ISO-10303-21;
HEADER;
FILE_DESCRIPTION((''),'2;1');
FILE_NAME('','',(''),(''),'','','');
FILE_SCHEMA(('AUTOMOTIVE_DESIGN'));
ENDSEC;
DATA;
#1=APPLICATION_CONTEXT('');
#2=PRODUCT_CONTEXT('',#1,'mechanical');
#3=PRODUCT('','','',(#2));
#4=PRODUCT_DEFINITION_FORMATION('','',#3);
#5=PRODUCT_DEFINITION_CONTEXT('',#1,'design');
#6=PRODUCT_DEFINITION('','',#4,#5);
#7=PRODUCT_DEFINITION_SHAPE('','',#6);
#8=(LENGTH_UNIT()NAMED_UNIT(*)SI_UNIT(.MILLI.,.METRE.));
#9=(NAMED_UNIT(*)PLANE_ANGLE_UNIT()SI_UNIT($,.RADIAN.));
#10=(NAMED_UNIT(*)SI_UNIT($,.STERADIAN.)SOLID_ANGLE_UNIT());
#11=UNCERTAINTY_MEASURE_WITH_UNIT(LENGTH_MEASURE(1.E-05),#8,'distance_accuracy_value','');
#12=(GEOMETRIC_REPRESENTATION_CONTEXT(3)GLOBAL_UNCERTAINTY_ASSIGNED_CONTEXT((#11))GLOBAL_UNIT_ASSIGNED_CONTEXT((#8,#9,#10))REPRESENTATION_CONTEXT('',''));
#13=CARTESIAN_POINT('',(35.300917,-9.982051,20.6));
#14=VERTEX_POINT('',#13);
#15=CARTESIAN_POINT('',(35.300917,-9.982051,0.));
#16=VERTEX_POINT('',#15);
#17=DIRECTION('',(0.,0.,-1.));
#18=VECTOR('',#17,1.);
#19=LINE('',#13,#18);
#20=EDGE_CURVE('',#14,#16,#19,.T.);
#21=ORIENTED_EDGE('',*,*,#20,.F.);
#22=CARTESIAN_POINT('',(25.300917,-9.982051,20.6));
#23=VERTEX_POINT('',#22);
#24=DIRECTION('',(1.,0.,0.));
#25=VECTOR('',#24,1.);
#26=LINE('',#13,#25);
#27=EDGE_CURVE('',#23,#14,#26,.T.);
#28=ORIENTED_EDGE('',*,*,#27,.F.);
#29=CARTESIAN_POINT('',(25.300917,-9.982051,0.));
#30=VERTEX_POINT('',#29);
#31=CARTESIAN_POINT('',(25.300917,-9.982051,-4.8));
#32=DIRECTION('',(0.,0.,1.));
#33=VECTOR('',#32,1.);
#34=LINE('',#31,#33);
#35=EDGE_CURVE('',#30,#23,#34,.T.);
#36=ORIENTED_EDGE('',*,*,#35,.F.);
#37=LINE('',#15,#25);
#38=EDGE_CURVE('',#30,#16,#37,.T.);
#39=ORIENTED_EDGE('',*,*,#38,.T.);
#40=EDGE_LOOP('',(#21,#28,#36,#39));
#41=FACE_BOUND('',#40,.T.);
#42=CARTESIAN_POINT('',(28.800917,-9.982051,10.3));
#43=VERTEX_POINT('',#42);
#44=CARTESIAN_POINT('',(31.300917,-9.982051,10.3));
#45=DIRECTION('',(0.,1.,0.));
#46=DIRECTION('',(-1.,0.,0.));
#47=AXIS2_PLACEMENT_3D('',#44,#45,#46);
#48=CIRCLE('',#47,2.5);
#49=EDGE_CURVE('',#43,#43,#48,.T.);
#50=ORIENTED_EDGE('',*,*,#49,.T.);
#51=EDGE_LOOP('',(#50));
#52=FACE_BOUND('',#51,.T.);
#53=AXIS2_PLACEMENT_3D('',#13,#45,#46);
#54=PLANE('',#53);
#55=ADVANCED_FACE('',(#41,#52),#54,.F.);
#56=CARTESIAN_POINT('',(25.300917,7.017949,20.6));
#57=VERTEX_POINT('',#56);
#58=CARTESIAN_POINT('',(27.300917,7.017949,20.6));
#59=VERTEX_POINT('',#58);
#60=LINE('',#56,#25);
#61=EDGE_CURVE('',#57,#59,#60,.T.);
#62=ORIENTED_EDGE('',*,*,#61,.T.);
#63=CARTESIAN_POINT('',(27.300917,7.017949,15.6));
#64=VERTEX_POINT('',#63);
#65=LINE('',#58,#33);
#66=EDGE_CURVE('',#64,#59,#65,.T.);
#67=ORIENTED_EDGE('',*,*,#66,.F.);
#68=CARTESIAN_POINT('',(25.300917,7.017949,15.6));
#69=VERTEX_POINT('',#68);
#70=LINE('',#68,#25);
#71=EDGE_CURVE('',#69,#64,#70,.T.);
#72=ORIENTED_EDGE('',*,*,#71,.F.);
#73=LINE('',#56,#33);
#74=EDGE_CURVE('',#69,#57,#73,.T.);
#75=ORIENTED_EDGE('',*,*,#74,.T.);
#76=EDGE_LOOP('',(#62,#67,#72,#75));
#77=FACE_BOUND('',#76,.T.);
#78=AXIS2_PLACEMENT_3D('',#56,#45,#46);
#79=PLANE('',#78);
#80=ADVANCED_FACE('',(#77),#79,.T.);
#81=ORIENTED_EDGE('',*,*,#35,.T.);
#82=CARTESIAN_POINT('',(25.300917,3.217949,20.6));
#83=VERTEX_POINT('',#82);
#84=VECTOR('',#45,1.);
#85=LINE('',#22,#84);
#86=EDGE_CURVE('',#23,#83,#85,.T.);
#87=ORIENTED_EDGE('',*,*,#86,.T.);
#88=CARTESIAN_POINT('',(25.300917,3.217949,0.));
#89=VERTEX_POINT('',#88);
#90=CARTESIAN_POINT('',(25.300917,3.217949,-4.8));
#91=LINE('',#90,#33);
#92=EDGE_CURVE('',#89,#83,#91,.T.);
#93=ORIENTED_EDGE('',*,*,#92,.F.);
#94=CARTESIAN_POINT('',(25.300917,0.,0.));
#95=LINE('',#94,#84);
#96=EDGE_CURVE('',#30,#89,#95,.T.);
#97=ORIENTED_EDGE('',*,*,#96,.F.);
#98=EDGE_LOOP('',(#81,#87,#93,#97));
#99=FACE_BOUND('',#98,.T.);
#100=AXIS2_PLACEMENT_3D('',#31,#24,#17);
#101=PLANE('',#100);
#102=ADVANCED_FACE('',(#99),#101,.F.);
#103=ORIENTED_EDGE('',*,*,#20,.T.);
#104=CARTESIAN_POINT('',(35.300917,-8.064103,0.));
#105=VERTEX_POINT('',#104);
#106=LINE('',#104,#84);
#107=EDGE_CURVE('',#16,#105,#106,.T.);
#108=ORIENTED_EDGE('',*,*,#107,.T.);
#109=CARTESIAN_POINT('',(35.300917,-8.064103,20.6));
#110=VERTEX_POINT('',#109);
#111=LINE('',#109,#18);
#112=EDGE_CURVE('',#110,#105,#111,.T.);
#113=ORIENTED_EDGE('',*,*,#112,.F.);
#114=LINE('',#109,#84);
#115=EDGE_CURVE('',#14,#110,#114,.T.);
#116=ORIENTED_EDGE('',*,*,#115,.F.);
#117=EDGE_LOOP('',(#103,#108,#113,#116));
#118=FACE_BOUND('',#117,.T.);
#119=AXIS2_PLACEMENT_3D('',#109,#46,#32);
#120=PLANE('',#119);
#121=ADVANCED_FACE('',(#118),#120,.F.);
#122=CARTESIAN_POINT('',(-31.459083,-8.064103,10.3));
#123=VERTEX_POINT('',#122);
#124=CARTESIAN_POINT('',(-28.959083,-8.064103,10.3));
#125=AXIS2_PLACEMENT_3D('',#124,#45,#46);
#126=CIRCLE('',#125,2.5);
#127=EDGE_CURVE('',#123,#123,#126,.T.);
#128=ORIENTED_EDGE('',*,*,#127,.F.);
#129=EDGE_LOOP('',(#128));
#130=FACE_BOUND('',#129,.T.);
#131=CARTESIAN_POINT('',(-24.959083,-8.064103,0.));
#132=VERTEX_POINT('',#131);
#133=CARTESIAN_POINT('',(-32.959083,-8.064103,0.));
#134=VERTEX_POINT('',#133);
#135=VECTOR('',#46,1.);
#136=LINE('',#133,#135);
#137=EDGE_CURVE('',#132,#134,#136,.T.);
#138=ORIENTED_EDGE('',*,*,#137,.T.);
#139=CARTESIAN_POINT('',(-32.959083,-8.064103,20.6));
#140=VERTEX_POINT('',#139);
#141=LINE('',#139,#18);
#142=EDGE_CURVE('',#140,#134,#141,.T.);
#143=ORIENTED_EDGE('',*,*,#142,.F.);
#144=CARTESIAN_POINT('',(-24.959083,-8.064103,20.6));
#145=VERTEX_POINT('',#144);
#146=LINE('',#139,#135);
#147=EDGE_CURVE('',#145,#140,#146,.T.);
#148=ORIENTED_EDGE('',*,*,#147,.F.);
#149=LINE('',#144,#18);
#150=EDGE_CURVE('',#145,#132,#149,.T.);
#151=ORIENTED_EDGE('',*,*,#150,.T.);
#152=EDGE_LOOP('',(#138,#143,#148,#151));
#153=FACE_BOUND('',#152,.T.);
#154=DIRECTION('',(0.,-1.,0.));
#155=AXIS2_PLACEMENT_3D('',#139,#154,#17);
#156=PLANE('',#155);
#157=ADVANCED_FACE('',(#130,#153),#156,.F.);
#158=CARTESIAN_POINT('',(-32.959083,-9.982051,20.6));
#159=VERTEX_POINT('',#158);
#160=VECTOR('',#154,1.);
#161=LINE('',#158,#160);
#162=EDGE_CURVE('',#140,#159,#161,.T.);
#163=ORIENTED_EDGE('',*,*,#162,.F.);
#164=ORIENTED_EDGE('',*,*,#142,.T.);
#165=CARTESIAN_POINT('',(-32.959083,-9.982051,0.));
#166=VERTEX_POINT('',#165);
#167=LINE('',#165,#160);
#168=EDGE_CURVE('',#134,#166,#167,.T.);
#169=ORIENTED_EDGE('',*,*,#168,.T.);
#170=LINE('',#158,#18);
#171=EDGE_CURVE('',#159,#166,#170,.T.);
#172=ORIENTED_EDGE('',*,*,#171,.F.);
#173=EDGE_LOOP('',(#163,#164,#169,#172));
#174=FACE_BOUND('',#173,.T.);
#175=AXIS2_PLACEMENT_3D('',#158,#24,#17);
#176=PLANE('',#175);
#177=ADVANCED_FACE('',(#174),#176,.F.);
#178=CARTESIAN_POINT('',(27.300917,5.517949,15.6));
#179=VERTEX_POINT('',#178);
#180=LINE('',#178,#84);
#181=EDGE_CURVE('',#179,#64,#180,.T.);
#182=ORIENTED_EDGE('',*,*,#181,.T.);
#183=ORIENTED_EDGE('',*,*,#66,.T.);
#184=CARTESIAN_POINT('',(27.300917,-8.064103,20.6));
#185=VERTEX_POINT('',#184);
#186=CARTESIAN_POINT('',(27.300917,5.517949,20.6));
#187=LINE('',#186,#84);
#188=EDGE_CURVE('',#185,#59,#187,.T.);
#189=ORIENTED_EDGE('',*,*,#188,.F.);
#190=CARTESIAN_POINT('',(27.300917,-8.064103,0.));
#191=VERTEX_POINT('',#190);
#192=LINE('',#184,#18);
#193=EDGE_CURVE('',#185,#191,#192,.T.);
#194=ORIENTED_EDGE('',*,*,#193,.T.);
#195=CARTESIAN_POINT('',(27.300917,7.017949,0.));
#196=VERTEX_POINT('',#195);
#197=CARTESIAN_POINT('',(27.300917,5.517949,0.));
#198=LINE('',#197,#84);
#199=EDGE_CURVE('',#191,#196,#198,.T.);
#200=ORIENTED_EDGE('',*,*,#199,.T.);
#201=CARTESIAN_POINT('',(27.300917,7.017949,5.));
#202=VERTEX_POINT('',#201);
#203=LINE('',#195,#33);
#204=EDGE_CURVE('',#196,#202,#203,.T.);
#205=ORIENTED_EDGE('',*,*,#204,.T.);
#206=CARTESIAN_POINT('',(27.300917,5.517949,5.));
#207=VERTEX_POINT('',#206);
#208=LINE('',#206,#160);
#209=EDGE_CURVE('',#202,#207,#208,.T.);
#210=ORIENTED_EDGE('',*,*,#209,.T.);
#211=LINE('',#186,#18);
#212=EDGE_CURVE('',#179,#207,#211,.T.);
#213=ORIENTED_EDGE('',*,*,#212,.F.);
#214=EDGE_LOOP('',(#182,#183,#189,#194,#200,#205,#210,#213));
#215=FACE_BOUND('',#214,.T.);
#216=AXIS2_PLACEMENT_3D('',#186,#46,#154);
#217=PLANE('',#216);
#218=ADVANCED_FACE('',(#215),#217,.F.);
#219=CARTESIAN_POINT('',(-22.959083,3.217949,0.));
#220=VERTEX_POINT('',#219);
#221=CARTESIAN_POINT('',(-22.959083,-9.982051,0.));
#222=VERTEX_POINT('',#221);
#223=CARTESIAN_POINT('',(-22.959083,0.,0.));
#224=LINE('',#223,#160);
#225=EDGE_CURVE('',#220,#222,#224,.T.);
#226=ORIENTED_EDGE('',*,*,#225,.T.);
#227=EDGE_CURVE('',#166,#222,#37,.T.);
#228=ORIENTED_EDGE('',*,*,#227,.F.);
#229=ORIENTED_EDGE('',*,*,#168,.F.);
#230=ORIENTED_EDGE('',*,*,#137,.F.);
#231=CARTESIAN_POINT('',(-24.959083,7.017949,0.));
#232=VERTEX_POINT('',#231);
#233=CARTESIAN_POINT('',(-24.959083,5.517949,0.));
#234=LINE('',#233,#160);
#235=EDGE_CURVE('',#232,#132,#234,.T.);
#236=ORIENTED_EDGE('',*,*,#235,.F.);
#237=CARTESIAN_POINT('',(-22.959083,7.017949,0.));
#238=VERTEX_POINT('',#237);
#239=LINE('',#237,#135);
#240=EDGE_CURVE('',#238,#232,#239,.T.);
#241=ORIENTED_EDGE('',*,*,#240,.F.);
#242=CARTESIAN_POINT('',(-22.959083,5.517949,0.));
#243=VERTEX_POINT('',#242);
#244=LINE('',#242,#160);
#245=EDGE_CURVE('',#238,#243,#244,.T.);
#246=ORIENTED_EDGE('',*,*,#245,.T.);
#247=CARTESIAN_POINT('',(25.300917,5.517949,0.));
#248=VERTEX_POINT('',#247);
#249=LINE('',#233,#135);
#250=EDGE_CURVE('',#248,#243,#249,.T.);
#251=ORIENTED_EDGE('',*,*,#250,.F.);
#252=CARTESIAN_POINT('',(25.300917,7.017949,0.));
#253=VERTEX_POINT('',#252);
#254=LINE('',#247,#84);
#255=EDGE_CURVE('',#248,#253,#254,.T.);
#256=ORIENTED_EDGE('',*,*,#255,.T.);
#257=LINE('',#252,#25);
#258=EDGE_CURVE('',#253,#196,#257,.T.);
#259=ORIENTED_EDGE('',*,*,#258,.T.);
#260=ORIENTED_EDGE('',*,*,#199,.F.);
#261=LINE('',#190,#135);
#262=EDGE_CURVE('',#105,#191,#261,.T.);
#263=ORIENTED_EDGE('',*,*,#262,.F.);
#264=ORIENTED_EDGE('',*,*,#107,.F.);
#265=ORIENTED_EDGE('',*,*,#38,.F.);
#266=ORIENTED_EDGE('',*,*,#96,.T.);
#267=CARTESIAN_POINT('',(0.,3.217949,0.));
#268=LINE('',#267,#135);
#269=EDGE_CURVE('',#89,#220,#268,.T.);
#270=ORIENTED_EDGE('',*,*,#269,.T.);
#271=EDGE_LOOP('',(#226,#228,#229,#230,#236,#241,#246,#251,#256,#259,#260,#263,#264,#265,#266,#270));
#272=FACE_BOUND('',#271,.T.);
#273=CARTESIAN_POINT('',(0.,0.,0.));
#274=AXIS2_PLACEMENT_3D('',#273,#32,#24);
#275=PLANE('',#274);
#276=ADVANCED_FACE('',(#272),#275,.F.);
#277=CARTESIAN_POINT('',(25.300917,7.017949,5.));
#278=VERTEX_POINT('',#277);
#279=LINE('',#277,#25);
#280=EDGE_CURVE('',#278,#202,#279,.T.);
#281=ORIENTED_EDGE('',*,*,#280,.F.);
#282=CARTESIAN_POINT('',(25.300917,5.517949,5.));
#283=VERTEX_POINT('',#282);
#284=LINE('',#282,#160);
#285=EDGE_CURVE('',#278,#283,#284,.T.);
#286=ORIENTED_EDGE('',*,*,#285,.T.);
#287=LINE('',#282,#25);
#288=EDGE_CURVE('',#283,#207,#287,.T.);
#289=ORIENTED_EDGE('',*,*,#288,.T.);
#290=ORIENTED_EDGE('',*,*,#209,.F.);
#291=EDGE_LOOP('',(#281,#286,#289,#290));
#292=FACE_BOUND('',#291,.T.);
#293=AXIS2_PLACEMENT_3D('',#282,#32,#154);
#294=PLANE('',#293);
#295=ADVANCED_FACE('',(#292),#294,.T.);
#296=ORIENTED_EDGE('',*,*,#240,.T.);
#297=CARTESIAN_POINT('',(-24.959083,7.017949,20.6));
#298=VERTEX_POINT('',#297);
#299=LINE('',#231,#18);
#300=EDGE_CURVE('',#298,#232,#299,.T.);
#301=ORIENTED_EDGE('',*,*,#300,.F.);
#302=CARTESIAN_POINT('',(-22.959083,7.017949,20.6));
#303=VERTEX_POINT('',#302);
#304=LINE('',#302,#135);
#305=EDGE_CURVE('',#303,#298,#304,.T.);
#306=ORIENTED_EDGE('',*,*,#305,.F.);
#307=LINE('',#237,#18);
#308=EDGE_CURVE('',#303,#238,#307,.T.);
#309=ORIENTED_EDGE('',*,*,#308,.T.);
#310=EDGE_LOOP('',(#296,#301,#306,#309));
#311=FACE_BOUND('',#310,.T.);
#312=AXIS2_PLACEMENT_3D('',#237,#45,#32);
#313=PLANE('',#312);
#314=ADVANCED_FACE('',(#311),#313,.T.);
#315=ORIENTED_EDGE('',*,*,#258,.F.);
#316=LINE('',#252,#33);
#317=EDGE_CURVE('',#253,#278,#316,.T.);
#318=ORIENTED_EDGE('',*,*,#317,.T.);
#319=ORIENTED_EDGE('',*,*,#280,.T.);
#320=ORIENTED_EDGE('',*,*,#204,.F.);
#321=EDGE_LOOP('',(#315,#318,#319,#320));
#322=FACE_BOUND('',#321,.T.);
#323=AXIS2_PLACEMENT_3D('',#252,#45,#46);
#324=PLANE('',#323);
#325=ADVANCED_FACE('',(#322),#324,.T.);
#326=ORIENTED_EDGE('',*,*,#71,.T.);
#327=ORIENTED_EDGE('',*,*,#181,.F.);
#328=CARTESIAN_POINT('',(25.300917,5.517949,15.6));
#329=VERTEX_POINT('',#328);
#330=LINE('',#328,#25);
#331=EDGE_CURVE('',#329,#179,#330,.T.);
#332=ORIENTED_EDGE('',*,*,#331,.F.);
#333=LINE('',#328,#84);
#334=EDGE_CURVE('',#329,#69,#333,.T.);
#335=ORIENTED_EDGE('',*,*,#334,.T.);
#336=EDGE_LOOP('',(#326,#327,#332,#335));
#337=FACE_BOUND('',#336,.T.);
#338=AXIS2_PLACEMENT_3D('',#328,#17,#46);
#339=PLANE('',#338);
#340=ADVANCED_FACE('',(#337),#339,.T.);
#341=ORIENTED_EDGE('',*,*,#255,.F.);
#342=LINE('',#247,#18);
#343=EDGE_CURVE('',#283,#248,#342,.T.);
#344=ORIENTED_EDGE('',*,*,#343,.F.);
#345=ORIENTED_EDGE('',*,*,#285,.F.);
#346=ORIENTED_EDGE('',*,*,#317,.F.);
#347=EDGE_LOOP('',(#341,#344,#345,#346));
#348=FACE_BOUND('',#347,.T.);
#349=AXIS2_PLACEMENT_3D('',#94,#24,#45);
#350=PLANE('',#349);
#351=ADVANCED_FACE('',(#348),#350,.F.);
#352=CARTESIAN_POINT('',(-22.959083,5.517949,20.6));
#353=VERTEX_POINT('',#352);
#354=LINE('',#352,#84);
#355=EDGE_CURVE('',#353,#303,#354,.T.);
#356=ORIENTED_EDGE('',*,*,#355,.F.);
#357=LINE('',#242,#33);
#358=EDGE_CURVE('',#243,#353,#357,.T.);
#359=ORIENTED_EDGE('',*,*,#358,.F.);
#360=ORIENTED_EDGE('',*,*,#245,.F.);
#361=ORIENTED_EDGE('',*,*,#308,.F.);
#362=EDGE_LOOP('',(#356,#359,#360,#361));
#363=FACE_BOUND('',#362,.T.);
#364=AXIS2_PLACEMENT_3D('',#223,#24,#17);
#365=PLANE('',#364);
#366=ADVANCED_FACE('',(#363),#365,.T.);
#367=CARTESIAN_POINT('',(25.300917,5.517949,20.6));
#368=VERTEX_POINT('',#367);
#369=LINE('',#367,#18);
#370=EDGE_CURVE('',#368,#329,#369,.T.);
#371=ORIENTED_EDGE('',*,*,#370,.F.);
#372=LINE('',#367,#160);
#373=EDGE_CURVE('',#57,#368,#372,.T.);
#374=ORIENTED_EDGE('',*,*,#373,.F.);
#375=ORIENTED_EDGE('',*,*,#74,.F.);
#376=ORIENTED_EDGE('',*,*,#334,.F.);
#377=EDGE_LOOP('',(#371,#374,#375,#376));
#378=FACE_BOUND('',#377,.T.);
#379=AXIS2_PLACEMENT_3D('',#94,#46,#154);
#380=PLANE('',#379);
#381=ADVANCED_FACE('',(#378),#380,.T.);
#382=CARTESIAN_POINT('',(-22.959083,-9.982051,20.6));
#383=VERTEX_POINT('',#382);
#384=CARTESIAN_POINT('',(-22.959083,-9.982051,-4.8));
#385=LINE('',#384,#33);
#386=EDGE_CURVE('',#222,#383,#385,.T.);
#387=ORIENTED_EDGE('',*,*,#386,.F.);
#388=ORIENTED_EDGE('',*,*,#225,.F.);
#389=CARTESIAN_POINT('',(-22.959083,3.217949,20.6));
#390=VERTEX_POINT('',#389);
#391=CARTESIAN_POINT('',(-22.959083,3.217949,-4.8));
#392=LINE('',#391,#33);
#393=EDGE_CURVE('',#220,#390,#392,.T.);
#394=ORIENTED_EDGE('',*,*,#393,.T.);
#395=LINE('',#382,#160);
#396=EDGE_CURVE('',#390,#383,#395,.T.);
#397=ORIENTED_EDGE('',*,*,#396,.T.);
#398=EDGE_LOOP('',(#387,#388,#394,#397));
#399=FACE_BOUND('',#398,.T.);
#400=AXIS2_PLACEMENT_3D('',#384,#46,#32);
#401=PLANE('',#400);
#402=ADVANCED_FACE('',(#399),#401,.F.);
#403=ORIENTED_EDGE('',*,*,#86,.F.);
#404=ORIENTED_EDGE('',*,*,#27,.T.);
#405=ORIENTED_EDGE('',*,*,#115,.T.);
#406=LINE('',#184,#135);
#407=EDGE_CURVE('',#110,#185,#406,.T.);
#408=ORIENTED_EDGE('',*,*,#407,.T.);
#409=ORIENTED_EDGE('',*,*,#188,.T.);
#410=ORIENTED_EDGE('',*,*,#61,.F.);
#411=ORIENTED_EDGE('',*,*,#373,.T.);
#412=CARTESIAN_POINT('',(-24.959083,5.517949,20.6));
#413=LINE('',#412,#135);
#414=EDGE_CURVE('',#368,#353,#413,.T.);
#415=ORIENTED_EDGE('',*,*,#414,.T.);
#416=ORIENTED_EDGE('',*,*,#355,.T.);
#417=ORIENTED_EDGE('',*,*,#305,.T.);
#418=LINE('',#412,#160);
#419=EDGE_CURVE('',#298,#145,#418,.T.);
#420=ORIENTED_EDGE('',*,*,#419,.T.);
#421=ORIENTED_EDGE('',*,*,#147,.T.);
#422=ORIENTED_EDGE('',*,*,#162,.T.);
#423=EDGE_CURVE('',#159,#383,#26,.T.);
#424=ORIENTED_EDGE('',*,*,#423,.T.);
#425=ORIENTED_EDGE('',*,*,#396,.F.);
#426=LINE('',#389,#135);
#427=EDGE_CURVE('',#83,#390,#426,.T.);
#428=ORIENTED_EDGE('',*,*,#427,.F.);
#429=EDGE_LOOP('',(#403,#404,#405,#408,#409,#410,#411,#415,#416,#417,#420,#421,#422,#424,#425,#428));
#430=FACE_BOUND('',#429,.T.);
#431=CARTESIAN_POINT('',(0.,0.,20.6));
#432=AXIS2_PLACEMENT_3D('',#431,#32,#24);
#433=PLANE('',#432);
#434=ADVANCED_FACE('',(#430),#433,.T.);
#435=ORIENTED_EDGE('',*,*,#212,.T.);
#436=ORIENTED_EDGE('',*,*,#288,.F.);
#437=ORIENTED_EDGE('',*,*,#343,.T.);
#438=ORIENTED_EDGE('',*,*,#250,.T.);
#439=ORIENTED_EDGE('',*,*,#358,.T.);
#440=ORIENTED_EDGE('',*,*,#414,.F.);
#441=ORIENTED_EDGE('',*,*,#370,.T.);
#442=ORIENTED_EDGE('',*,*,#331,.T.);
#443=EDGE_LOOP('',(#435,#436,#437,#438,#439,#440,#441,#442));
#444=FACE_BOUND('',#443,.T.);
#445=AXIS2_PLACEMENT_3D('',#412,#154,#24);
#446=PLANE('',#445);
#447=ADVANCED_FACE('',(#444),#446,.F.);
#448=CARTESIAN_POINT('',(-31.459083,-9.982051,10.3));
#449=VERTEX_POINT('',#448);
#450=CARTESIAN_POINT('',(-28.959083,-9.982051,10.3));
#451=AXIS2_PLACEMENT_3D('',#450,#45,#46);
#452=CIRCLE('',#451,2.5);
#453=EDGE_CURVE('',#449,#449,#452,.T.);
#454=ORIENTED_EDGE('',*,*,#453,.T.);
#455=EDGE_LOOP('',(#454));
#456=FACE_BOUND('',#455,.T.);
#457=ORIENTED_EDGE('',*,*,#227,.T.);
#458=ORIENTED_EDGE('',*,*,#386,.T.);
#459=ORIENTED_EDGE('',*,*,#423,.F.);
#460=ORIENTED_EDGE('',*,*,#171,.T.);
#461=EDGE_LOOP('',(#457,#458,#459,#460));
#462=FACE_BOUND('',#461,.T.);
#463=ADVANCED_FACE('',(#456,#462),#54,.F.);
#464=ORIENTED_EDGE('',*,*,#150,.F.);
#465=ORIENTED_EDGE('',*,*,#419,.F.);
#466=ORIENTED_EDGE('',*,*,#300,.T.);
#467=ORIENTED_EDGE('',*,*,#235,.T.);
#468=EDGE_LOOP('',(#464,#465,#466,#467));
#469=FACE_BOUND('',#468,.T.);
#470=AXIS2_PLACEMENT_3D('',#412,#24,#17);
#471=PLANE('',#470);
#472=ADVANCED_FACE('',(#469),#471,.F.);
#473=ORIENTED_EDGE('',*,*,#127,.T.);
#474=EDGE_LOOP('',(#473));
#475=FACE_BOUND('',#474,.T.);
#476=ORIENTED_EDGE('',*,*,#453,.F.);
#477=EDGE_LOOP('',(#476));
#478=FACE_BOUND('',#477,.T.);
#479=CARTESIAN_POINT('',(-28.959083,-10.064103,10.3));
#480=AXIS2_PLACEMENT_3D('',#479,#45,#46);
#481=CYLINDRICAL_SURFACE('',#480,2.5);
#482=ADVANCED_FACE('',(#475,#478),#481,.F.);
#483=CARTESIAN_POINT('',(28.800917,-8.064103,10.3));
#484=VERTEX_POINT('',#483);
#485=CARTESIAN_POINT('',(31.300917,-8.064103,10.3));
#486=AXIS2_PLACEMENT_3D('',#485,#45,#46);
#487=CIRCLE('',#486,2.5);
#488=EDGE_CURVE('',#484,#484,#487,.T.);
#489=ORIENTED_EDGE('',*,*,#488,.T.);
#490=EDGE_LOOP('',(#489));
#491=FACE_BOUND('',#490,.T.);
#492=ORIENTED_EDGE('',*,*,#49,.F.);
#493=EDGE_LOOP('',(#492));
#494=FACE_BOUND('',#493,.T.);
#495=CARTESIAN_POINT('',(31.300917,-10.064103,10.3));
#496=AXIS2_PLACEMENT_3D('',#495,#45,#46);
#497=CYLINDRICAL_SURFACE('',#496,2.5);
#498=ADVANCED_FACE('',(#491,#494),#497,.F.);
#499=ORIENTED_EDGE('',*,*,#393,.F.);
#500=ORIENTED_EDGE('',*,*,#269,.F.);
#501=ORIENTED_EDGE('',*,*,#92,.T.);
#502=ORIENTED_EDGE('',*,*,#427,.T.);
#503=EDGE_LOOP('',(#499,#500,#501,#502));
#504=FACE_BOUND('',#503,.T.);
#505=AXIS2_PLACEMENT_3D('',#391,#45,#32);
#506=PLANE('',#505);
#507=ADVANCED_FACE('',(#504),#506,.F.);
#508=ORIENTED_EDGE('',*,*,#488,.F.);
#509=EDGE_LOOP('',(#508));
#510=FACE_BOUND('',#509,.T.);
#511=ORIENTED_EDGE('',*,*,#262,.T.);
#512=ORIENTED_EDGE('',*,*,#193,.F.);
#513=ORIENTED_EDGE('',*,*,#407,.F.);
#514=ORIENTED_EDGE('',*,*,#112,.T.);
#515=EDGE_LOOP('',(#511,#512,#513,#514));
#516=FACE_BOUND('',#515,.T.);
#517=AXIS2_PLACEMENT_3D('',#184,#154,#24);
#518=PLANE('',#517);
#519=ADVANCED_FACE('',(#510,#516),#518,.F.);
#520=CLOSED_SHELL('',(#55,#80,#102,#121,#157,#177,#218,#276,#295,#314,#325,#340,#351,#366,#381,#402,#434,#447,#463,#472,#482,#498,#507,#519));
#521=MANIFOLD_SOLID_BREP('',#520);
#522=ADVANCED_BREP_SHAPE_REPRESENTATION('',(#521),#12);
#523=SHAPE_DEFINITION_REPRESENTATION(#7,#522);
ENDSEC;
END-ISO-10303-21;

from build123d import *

# Parameters (mm, degrees)
RESSALTO_EXTRUS_O1_DEPTH = 20.6
ESBO_O2_W                = 48.26
ESBO_O2_H                = 13.2
CORTE_EXTRUS_O1_DEPTH    = 25.4
ESBO_O3_W                = 20.6
ESBO_O3_H                = 1.5
RESSALTO_EXTRUS_O2_DEPTH = 2
ESBO_O4_W                = 5
ESBO_O4_H                = 1.5
RESSALTO_EXTRUS_O3_DEPTH = 2
ESBO_O5_R                = 2.5
CORTE_EXTRUS_O2_DEPTH    = 2


with BuildPart() as part:
    # Esboço1 → Ressalto-extrusão1 (new body)
    with BuildSketch(Plane.XY):
        Polygon((35.300916774, -9.982051282), (-32.959083226, -9.982051282), (-32.959083226, -8.064102564), (-24.959083226, -8.064102564), (-24.959083226, 5.517948718), (27.300916774, 5.517948718), (27.300916774, -8.064102564), (35.300916774, -8.064102564), align=None)
    extrude(amount=RESSALTO_EXTRUS_O1_DEPTH)

    # Esboço2 → Corte-extrusão1 (cut)
    with BuildSketch(Plane.XY.offset(20.6)):
        with Locations((1.170916774, -3.382051282)):
            Rectangle(ESBO_O2_W, ESBO_O2_H)
    extrude(amount=-CORTE_EXTRUS_O1_DEPTH, mode=Mode.SUBTRACT)

    # Esboço3 → Ressalto-extrusão2 (add)
    with BuildSketch(Plane.ZY.offset(24.959083226)):
        with Locations((10.3, 6.267948718)):
            Rectangle(ESBO_O3_W, ESBO_O3_H)
    extrude(amount=-RESSALTO_EXTRUS_O2_DEPTH)

    # Esboço4 → Ressalto-extrusão3 (add)
    with BuildSketch(Plane(origin=(27.300916774, 0, 0), x_dir=(0, 0, -1), z_dir=(1, 0, 0))):
        with Locations((-18.1, 6.267948718)):
            Rectangle(ESBO_O4_W, ESBO_O4_H)
        with Locations((-2.5, 6.267948718)):
            Rectangle(ESBO_O4_W, ESBO_O4_H)
    extrude(amount=-RESSALTO_EXTRUS_O3_DEPTH)

    # Esboço5 → Corte-extrusão2 (cut)
    with BuildSketch(Plane(origin=(0, -8.064102564, 0), x_dir=(1, 0, 0), z_dir=(0, 1, 0))):
        with Locations(Location((-28.959083226, -10.3, 0), (0, 0, 180))):
            Circle(ESBO_O5_R)
        with Locations(Location((31.300916774, -10.3, 0), (0, 0, 180))):
            Circle(ESBO_O5_R)
    extrude(amount=-CORTE_EXTRUS_O2_DEPTH, mode=Mode.SUBTRACT)


solid = part.part
